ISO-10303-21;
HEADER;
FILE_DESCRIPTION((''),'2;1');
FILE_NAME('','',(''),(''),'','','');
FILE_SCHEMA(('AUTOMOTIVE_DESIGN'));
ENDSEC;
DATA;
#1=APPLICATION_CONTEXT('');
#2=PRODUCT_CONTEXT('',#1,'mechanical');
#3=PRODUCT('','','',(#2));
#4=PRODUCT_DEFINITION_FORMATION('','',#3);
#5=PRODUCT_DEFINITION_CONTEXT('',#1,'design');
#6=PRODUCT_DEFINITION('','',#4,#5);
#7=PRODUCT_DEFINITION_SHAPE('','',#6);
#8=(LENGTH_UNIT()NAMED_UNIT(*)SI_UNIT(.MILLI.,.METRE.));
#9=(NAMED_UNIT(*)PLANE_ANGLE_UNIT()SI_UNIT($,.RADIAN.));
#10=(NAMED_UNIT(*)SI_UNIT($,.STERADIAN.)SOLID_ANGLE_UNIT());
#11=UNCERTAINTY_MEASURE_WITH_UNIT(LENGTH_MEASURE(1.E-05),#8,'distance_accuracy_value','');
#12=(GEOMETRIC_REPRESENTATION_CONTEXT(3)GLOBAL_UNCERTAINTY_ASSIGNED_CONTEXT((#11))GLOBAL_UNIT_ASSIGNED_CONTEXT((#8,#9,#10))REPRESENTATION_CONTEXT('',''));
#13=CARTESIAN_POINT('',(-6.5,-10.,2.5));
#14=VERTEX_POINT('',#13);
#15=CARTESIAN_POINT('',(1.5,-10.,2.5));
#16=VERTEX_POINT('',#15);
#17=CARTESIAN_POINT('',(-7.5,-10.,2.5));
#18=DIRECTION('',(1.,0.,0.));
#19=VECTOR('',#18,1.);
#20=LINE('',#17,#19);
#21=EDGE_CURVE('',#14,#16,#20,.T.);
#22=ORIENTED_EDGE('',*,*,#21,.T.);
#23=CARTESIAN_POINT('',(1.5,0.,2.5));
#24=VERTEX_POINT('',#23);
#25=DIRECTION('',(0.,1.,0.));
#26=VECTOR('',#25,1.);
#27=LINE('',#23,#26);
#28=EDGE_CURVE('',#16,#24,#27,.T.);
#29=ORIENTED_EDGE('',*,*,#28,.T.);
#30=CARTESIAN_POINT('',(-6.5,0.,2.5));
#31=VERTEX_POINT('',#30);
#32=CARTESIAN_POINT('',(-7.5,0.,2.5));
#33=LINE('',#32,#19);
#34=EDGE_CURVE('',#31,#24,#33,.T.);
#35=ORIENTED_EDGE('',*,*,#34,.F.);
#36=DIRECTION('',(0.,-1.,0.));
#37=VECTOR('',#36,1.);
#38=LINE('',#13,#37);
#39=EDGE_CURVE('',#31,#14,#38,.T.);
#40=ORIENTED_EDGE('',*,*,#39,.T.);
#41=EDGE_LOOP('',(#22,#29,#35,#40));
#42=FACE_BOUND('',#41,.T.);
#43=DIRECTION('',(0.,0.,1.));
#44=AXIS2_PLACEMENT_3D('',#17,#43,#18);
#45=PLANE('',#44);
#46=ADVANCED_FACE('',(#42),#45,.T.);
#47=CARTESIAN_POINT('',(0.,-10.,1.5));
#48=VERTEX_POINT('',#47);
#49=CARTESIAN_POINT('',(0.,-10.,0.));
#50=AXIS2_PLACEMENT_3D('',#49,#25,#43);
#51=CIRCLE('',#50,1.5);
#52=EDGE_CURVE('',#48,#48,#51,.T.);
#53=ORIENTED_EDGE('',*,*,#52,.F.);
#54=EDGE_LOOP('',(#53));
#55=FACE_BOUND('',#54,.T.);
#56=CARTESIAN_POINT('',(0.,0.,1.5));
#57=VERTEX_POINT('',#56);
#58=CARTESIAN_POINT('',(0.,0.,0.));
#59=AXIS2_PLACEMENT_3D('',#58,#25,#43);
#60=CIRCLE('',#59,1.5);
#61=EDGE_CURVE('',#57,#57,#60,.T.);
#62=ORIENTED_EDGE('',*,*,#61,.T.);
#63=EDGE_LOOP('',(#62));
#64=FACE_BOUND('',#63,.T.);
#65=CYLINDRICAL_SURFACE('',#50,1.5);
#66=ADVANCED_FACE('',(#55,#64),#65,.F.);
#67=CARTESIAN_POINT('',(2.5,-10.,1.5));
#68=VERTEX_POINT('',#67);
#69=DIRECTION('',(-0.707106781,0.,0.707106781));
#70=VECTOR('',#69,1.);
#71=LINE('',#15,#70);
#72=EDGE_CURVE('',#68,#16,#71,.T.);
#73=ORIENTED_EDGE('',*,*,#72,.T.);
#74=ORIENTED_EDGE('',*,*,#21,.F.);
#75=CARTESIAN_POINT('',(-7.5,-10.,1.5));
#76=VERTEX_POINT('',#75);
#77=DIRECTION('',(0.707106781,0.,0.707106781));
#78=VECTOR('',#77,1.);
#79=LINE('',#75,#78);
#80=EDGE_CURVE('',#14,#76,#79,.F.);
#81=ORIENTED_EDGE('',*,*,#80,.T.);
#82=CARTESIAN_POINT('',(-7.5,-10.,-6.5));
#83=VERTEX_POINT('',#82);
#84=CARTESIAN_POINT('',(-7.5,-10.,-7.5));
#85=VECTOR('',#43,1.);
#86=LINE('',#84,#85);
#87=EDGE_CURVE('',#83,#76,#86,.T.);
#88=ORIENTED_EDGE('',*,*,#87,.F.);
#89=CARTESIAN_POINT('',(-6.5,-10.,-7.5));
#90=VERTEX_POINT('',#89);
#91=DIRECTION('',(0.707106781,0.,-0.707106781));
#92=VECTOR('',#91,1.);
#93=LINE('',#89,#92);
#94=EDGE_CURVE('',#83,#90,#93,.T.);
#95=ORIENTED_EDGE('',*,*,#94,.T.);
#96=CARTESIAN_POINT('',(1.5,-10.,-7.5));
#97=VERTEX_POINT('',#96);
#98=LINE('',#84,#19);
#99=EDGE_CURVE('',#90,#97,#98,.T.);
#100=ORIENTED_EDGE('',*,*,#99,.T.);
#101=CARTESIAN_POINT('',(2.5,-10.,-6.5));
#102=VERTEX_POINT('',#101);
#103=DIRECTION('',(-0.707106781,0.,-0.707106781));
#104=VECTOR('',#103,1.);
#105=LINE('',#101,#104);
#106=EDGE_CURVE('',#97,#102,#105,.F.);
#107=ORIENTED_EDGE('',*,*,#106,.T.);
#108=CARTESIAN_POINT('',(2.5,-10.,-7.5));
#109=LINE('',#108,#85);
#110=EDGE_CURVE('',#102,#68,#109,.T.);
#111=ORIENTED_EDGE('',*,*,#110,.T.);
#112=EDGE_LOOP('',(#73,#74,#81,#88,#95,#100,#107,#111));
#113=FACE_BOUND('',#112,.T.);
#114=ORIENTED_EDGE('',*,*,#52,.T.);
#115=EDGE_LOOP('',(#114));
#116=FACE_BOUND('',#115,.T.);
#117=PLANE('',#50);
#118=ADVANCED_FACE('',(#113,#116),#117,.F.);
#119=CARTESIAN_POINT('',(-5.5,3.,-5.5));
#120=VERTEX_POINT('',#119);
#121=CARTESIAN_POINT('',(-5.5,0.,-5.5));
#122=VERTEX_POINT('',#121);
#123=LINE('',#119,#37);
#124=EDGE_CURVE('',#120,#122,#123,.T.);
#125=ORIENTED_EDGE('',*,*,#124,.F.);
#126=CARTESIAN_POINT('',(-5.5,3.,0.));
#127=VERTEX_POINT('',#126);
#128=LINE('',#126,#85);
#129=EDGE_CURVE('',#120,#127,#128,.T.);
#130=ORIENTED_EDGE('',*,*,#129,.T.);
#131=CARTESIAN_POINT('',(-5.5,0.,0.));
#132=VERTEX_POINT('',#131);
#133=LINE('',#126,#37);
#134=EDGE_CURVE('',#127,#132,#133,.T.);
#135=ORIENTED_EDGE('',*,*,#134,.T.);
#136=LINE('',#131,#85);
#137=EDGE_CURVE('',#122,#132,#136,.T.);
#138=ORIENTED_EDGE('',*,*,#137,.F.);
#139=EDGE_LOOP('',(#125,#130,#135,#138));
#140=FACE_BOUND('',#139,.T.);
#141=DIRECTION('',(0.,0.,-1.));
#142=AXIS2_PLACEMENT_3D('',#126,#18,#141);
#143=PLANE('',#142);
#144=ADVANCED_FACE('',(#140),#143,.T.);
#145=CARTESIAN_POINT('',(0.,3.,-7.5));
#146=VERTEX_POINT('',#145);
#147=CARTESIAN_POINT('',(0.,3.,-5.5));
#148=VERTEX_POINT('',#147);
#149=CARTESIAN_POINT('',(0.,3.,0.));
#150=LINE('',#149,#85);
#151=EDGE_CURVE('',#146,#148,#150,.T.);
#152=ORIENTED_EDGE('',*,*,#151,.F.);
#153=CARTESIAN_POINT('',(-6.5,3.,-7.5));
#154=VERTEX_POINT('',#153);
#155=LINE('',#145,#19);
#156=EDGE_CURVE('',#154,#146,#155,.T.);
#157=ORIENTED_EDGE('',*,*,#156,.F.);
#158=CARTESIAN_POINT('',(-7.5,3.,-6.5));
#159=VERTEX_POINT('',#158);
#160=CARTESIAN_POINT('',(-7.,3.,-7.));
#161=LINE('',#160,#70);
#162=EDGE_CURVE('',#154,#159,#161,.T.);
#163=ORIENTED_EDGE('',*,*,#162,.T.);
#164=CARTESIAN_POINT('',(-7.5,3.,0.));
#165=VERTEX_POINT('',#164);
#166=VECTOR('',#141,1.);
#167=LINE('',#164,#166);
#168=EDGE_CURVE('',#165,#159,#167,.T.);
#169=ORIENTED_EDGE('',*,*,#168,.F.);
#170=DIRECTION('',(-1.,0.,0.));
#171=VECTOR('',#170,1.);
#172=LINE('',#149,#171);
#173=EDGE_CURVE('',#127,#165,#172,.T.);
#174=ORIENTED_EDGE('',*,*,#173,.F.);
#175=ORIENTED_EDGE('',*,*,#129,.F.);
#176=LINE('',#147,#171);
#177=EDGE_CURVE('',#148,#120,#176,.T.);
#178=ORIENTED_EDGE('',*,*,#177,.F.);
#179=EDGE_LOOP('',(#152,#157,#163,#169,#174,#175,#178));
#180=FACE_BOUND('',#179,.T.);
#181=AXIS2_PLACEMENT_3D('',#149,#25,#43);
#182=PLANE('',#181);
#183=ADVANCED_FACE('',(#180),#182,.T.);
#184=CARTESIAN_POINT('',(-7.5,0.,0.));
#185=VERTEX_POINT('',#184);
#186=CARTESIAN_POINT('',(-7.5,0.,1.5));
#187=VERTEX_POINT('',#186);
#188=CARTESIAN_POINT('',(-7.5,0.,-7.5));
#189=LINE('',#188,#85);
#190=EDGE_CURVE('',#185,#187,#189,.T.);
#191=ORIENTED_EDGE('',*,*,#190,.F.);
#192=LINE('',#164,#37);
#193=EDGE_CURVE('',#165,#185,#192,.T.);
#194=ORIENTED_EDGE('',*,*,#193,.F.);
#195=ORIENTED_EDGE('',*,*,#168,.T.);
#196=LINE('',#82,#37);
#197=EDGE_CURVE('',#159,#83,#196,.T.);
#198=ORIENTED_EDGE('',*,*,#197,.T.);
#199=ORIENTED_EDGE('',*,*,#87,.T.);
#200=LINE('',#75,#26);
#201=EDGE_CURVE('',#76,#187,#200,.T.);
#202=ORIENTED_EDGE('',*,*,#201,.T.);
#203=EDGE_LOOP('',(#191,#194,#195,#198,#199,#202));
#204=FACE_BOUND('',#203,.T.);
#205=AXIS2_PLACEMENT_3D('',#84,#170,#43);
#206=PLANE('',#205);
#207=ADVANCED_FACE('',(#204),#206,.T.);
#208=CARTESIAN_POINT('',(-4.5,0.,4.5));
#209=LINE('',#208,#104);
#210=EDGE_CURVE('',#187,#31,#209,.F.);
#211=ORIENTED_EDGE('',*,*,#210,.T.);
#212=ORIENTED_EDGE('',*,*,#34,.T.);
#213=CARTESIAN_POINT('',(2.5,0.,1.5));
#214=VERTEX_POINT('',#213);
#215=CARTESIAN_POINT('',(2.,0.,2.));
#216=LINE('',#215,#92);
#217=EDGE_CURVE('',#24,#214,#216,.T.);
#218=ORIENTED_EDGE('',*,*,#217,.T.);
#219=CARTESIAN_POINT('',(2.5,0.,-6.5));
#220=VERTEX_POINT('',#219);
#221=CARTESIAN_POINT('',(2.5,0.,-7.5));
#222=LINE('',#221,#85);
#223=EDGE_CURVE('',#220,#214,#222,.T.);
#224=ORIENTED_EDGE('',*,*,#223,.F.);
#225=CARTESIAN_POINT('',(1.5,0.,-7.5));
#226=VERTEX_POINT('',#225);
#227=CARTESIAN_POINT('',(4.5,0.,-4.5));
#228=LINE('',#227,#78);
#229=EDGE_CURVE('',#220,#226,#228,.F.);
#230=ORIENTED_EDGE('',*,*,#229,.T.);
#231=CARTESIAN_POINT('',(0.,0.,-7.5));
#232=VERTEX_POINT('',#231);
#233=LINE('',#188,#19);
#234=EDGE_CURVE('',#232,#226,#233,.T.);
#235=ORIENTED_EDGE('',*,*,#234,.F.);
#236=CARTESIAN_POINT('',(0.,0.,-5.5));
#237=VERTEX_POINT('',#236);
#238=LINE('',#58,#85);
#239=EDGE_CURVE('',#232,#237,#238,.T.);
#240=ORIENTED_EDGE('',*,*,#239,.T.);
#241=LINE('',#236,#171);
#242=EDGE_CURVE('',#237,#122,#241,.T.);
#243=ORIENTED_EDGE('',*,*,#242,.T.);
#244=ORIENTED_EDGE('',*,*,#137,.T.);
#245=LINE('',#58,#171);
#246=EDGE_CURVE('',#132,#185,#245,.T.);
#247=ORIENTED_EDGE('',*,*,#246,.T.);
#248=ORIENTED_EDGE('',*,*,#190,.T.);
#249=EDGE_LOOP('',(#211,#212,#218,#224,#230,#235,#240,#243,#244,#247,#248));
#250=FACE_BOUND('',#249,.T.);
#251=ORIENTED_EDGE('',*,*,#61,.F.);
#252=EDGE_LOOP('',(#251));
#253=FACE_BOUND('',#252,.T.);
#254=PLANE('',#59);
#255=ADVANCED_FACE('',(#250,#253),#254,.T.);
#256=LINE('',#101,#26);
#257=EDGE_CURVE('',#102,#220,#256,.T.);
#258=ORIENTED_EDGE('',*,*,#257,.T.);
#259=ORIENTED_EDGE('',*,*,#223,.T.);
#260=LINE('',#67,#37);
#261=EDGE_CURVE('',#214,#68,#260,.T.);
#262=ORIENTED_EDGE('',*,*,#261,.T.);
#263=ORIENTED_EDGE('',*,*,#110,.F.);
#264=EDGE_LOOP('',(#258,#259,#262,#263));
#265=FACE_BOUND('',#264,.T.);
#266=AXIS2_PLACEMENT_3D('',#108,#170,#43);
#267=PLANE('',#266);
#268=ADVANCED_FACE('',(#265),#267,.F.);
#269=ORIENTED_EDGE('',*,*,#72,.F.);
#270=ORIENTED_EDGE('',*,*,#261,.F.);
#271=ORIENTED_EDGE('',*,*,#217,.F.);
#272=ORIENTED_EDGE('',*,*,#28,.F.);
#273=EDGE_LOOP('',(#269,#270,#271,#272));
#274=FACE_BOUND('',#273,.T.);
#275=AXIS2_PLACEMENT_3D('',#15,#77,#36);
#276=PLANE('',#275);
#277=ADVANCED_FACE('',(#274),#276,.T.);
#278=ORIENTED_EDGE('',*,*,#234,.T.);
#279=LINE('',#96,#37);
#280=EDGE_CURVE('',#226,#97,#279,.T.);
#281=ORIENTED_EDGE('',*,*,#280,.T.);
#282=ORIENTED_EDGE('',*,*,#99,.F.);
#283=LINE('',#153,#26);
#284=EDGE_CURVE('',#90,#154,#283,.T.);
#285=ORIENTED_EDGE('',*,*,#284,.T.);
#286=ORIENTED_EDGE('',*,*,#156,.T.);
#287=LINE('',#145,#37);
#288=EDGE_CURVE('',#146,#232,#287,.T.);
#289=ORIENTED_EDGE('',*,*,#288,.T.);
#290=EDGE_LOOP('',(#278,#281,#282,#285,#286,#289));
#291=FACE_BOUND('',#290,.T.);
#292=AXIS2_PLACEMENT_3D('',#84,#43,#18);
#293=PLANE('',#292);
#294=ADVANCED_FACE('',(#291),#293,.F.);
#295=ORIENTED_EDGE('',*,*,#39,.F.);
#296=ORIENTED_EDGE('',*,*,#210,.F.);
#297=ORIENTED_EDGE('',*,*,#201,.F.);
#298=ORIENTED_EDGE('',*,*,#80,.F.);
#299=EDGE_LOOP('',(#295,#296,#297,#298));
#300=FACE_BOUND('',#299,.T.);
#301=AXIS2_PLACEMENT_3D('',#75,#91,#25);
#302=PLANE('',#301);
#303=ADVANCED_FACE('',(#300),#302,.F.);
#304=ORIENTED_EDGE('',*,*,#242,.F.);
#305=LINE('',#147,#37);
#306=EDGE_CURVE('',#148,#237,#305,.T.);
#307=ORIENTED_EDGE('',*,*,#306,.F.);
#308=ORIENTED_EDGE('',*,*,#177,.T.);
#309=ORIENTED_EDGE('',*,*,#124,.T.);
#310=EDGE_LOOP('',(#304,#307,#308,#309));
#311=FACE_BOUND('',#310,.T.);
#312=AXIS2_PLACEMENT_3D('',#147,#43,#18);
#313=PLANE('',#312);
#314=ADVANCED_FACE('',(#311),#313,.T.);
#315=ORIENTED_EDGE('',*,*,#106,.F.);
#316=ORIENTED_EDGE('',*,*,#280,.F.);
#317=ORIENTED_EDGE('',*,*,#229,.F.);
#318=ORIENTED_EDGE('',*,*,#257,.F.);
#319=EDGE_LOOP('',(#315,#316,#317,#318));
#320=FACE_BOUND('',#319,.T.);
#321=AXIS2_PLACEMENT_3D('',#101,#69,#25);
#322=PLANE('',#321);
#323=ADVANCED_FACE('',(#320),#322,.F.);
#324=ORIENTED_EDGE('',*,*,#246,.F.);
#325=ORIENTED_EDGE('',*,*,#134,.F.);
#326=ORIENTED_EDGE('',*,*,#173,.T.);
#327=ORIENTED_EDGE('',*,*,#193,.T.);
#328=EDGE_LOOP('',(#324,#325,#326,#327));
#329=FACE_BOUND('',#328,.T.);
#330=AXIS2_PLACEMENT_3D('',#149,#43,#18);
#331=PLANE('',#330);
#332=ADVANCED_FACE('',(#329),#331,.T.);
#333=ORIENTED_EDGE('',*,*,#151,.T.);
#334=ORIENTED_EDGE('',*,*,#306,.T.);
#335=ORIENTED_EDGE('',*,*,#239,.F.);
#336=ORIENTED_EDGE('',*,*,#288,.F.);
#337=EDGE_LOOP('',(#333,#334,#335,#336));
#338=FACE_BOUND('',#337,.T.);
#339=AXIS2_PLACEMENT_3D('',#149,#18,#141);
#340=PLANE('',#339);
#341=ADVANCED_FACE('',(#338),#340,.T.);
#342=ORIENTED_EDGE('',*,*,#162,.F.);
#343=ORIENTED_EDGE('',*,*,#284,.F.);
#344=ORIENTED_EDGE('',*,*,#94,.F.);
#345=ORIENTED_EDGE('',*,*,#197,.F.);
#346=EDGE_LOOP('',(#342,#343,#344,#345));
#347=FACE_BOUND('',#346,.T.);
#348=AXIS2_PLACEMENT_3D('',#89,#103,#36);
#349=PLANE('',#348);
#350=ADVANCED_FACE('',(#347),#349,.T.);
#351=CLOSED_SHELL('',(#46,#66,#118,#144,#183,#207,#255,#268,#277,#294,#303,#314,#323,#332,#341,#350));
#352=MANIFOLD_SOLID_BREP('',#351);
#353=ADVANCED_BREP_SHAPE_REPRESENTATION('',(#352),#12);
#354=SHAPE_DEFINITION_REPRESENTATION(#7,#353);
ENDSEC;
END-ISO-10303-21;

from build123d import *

# Parameters (mm, degrees)
SKETCH1_W           = 10
SKETCH1_H           = 10
BOSS_EXTRUDE1_DEPTH = 10
BOSS_EXTRUDE2_DEPTH = 3
CHAMFER1_SIZE       = 1
SKETCH1_4_R         = 1.5
CUT_EXTRUDE1_DEPTH  = 15.577379737


with BuildPart() as part:
    # Sketch1 → Boss-Extrude1 (new body)
    with BuildSketch(Plane(origin=(0, 0, 0), x_dir=(1, 0, 0), z_dir=(0, 1, 0))):
        with Locations((-2.5, 2.5)):
            Rectangle(SKETCH1_W, SKETCH1_H)
    extrude(amount=-BOSS_EXTRUDE1_DEPTH)

    # Sketch1<3> → Boss-Extrude2 (add)
    with BuildSketch(Plane(origin=(0, 0, 0), x_dir=(1, 0, 0), z_dir=(0, 1, 0))):
        Polygon((-5.5, 5.5), (0, 5.5), (0, 7.5), (-7.5, 7.5), (-7.5, 0), (-5.5, 0), align=None)
    extrude(amount=BOSS_EXTRUDE2_DEPTH)

    # Chamfer1
    chamfer1_edges = [part.edges().sort_by_distance(p)[0] for p in [
        (-7.5, -3.5, -7.5),
        (2.5, -5, -7.5),
        (-7.5, -5, 2.5),
        (2.5, -5, 2.5),
    ]]
    chamfer(chamfer1_edges, length=CHAMFER1_SIZE)

    # Sketch1<4> → Cut-Extrude1 (cut, through all)
    with BuildSketch(Plane(origin=(0, 0, 0), x_dir=(1, 0, 0), z_dir=(0, 1, 0))):
        Circle(SKETCH1_4_R)
    extrude(amount=-CUT_EXTRUDE1_DEPTH, mode=Mode.SUBTRACT)


solid = part.part
